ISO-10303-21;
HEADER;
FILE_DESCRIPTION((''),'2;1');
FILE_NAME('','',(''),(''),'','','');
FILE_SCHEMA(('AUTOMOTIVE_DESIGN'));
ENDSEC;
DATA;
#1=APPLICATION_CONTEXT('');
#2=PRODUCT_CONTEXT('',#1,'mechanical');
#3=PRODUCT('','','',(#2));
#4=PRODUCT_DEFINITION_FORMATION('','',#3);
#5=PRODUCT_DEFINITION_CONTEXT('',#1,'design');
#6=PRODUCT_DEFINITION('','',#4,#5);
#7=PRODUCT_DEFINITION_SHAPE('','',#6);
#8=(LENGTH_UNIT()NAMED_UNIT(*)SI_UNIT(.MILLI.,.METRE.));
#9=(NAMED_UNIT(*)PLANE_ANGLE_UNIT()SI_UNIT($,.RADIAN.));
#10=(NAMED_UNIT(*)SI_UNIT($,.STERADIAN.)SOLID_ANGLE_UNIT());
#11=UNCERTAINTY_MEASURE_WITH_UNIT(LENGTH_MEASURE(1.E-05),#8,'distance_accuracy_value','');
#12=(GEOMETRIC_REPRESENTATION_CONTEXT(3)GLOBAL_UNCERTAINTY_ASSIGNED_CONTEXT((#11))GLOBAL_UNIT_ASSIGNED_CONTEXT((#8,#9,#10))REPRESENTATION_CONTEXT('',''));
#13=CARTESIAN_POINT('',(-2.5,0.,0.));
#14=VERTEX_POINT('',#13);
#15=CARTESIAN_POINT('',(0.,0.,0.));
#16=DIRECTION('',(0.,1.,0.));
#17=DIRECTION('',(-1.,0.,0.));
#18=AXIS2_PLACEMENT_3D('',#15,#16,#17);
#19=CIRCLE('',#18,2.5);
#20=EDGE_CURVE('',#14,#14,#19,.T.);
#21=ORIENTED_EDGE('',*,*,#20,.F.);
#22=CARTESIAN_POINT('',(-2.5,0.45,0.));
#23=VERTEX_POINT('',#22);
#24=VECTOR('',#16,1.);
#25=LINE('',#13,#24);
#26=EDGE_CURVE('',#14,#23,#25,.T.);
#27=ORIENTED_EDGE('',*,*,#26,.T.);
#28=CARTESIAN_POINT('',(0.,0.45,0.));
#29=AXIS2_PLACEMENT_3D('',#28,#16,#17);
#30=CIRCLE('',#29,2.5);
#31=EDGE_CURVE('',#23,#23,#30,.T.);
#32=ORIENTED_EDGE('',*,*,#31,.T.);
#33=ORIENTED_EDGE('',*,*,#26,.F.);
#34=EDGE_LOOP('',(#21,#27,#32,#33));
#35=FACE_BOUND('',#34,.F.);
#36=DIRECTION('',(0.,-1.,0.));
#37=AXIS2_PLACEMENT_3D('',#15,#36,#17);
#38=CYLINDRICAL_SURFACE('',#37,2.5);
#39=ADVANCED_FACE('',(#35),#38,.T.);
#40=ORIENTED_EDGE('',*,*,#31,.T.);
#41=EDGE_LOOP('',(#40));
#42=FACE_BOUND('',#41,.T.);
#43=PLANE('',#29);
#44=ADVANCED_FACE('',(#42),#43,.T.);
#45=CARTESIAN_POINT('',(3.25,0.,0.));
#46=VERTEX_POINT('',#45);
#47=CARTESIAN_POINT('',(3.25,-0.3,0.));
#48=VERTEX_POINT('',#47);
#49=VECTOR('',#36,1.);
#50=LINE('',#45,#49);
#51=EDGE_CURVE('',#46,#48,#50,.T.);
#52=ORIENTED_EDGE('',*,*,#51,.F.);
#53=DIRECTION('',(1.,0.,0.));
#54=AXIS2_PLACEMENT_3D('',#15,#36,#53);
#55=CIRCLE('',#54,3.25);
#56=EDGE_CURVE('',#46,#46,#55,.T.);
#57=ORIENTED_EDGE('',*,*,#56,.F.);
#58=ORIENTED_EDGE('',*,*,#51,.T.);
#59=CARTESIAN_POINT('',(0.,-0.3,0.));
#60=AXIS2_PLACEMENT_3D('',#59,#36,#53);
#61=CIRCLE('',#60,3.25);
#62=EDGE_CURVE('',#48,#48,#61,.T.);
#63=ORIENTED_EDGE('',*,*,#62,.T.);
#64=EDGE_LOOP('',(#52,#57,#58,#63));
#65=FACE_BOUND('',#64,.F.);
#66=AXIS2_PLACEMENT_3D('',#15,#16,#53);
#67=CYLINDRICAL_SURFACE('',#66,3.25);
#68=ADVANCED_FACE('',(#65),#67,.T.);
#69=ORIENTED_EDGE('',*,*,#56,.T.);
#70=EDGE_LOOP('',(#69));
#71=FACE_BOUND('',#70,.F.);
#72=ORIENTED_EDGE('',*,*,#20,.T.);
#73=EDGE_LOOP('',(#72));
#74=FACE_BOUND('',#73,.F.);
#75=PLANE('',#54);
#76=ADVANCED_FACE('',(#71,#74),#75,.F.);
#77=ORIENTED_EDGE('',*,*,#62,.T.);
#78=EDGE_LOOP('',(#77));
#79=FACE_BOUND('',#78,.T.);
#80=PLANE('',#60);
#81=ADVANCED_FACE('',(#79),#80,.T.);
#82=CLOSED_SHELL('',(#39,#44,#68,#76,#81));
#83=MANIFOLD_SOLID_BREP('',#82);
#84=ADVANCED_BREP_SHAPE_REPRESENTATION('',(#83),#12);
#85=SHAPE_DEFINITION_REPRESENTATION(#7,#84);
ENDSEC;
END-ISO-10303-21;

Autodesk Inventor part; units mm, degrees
ref_plane "YZ Plane" through (0, 0, 0) normal (1, 0, 0) x (0, 1, 0)
ref_plane "XZ Plane" through (0, 0, 0) normal (0, 1, 0) x (-1, 0, 0)
ref_plane "XY Plane" through (0, 0, 0) normal (0, 0, 1) x (1, 0, 0)
sketch "Boceto1" plane through (0, 0, 0) normal (0, 1, 0) x (-1, 0, 0)
  circle A0 centre (0, 0) radius 2.5
  dimension "d0" = 5
extrude "Extrusión1" add sketch "Boceto1" along normal blind 0.45
sketch "Boceto2" plane through (0, 0, 0) normal (0, -1, 0) x (1, 0, 0)
  circle A0 centre (0, 0) radius 3.25
  dimension "d3" = 6.5
extrude "Extrusión2" add sketch "Boceto2" along normal blind 0.3
properties part number "ET25"
